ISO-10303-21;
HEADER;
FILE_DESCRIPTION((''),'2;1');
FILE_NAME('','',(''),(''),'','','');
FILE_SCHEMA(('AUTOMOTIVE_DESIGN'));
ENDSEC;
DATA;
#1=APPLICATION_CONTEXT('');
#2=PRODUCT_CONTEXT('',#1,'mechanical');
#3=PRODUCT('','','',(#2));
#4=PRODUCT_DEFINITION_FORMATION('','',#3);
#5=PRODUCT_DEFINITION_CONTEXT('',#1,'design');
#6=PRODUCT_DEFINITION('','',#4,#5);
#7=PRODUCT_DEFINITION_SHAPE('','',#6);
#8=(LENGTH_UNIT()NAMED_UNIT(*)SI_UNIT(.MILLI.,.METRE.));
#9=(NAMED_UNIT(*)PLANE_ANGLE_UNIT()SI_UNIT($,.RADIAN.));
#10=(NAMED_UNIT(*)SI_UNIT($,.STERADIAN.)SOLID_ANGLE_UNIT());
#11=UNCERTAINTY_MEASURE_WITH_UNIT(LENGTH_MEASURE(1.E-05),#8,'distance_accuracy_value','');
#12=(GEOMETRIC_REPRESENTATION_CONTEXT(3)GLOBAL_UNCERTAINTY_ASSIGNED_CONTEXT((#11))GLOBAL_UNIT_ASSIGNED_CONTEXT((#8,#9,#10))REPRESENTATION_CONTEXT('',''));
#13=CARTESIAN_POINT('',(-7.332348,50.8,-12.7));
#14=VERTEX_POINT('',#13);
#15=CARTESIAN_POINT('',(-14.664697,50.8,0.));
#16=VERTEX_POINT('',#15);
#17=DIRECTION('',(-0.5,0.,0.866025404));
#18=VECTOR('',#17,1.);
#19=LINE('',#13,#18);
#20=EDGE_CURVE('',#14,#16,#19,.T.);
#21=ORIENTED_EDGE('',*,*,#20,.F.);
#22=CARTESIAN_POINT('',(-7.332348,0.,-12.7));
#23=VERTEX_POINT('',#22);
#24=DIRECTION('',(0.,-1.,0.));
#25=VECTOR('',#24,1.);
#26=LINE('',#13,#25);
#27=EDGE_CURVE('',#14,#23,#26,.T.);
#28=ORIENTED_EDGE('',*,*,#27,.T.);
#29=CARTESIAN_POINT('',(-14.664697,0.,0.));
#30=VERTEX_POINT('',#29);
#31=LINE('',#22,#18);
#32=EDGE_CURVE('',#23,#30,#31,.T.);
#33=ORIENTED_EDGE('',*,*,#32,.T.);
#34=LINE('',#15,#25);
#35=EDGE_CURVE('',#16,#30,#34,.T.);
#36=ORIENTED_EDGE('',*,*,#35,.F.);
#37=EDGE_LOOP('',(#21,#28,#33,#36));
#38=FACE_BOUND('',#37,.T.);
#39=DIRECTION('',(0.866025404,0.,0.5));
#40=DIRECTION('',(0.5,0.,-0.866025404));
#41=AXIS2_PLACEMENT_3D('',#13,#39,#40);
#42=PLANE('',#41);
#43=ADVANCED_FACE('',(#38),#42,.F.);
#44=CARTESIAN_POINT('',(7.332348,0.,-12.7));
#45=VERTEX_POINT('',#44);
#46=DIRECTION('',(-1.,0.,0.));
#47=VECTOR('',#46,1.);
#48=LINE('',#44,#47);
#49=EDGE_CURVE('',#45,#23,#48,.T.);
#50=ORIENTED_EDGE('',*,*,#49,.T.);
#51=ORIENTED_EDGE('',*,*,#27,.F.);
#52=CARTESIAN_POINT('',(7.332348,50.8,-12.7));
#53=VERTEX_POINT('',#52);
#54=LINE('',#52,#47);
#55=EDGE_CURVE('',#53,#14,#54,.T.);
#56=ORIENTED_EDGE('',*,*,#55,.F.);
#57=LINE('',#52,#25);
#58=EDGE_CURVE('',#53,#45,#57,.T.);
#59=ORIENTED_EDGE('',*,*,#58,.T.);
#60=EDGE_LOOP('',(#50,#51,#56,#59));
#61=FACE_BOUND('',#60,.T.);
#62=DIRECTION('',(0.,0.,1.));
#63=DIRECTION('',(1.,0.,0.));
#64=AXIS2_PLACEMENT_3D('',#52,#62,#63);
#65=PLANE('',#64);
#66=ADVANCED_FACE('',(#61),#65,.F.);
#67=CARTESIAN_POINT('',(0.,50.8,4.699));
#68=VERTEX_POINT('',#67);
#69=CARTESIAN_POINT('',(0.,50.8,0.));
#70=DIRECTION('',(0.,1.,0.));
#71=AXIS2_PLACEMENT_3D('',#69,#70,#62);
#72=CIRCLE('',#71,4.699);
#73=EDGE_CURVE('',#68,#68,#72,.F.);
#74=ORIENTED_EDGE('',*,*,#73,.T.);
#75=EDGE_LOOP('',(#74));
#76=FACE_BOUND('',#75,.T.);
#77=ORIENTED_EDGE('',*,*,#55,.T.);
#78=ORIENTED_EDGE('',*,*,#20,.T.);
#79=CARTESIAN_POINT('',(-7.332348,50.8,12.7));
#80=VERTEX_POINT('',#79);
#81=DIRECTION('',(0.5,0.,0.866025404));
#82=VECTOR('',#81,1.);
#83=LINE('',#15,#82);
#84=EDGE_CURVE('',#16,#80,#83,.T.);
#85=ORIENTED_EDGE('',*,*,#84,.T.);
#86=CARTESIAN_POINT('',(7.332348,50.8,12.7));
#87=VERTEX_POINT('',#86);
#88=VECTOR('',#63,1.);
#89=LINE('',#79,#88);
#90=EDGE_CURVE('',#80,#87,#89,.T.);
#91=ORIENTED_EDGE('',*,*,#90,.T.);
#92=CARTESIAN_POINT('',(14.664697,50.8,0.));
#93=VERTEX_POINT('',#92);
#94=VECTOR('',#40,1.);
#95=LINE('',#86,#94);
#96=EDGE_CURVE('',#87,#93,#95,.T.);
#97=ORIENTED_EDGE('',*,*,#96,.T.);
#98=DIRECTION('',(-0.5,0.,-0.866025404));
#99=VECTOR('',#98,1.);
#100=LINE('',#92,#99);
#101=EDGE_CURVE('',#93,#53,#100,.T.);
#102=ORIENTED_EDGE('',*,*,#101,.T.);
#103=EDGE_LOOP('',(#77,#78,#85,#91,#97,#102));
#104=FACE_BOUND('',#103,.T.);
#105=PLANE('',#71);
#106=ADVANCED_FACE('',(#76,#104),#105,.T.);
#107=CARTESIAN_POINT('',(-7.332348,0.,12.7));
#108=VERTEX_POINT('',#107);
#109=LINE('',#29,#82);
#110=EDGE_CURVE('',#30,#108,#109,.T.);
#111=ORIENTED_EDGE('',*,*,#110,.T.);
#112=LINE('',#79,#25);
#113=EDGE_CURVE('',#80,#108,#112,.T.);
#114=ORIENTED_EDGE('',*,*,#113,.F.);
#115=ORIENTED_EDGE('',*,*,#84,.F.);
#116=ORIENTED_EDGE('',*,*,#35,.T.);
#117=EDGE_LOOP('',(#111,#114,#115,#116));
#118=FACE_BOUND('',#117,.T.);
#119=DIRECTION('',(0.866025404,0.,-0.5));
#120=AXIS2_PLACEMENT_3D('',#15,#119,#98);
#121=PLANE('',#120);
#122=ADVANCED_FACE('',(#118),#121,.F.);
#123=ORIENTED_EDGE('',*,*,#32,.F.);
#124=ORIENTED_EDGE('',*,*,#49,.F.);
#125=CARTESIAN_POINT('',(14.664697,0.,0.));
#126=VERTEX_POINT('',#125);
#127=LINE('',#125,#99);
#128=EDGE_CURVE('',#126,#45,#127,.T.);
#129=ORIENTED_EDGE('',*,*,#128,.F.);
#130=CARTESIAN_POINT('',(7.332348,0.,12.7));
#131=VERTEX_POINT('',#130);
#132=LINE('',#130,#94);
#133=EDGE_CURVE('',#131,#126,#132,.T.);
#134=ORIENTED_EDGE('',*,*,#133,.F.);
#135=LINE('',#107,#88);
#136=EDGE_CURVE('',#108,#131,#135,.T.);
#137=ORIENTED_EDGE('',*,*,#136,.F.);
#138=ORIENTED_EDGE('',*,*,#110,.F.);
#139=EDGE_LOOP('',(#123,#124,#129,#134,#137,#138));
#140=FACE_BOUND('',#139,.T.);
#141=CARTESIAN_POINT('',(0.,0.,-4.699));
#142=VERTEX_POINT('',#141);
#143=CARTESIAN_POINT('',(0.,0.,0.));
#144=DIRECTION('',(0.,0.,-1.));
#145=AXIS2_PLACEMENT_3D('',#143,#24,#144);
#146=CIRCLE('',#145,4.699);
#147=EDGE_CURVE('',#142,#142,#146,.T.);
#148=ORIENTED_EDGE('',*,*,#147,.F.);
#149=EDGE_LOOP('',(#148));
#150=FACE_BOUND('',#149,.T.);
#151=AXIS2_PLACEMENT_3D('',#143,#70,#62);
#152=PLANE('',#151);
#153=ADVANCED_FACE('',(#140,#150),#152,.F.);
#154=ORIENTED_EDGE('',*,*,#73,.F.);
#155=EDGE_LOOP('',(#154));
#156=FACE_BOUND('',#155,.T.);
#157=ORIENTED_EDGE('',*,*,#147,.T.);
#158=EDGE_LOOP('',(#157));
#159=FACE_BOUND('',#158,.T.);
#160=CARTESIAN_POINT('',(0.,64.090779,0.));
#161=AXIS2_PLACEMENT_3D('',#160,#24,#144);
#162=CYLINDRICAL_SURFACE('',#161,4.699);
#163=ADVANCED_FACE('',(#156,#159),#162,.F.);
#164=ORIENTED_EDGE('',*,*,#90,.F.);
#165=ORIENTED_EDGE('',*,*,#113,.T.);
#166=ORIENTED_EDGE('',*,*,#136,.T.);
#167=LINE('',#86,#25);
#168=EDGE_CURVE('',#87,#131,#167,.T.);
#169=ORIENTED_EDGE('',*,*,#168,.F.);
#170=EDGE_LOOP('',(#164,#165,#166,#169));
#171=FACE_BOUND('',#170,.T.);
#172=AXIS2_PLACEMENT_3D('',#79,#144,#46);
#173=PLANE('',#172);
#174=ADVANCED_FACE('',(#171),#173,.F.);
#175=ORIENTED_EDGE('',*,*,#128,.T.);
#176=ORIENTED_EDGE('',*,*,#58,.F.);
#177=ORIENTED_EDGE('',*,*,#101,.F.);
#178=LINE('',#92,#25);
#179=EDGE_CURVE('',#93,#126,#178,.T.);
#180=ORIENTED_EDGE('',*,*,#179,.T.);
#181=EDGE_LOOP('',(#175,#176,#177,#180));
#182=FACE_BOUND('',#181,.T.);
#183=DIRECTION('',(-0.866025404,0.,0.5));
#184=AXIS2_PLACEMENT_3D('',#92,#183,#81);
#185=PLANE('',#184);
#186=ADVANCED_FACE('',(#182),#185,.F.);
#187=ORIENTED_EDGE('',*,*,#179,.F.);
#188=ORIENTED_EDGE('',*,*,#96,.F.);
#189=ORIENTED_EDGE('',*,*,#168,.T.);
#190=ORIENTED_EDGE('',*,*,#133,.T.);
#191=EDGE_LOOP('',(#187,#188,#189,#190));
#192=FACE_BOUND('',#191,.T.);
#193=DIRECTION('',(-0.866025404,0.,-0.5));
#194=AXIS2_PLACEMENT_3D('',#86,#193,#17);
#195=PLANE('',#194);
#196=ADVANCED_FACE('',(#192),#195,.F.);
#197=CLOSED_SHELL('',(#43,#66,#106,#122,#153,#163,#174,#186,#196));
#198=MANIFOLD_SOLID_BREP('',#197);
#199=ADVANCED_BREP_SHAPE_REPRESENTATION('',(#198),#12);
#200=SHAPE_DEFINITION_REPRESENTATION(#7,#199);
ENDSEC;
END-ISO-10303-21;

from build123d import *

# Parameters (mm, degrees)
BOSS_EXTRUDE1_DEPTH = 50.8
SKETCH2_R           = 4.699
CUT_EXTRUDE1_DEPTH  = 50.8


with BuildPart() as part:
    # Sketch1 → Boss-Extrude1 (new body)
    with BuildSketch(Plane(origin=(0, 0, 0), x_dir=(1, 0, 0), z_dir=(0, 1, 0))):
        Polygon((14.664696837, 0), (7.332348419, 12.7), (-7.332348419, 12.7), (-14.664696837, 0), (-7.332348419, -12.7), (7.332348419, -12.7), align=None)
    extrude(amount=BOSS_EXTRUDE1_DEPTH)

    # Sketch2 → Cut-Extrude1 (cut)
    with BuildSketch(Plane.XZ):
        Circle(SKETCH2_R)
    extrude(amount=-CUT_EXTRUDE1_DEPTH, mode=Mode.SUBTRACT)


solid = part.part
